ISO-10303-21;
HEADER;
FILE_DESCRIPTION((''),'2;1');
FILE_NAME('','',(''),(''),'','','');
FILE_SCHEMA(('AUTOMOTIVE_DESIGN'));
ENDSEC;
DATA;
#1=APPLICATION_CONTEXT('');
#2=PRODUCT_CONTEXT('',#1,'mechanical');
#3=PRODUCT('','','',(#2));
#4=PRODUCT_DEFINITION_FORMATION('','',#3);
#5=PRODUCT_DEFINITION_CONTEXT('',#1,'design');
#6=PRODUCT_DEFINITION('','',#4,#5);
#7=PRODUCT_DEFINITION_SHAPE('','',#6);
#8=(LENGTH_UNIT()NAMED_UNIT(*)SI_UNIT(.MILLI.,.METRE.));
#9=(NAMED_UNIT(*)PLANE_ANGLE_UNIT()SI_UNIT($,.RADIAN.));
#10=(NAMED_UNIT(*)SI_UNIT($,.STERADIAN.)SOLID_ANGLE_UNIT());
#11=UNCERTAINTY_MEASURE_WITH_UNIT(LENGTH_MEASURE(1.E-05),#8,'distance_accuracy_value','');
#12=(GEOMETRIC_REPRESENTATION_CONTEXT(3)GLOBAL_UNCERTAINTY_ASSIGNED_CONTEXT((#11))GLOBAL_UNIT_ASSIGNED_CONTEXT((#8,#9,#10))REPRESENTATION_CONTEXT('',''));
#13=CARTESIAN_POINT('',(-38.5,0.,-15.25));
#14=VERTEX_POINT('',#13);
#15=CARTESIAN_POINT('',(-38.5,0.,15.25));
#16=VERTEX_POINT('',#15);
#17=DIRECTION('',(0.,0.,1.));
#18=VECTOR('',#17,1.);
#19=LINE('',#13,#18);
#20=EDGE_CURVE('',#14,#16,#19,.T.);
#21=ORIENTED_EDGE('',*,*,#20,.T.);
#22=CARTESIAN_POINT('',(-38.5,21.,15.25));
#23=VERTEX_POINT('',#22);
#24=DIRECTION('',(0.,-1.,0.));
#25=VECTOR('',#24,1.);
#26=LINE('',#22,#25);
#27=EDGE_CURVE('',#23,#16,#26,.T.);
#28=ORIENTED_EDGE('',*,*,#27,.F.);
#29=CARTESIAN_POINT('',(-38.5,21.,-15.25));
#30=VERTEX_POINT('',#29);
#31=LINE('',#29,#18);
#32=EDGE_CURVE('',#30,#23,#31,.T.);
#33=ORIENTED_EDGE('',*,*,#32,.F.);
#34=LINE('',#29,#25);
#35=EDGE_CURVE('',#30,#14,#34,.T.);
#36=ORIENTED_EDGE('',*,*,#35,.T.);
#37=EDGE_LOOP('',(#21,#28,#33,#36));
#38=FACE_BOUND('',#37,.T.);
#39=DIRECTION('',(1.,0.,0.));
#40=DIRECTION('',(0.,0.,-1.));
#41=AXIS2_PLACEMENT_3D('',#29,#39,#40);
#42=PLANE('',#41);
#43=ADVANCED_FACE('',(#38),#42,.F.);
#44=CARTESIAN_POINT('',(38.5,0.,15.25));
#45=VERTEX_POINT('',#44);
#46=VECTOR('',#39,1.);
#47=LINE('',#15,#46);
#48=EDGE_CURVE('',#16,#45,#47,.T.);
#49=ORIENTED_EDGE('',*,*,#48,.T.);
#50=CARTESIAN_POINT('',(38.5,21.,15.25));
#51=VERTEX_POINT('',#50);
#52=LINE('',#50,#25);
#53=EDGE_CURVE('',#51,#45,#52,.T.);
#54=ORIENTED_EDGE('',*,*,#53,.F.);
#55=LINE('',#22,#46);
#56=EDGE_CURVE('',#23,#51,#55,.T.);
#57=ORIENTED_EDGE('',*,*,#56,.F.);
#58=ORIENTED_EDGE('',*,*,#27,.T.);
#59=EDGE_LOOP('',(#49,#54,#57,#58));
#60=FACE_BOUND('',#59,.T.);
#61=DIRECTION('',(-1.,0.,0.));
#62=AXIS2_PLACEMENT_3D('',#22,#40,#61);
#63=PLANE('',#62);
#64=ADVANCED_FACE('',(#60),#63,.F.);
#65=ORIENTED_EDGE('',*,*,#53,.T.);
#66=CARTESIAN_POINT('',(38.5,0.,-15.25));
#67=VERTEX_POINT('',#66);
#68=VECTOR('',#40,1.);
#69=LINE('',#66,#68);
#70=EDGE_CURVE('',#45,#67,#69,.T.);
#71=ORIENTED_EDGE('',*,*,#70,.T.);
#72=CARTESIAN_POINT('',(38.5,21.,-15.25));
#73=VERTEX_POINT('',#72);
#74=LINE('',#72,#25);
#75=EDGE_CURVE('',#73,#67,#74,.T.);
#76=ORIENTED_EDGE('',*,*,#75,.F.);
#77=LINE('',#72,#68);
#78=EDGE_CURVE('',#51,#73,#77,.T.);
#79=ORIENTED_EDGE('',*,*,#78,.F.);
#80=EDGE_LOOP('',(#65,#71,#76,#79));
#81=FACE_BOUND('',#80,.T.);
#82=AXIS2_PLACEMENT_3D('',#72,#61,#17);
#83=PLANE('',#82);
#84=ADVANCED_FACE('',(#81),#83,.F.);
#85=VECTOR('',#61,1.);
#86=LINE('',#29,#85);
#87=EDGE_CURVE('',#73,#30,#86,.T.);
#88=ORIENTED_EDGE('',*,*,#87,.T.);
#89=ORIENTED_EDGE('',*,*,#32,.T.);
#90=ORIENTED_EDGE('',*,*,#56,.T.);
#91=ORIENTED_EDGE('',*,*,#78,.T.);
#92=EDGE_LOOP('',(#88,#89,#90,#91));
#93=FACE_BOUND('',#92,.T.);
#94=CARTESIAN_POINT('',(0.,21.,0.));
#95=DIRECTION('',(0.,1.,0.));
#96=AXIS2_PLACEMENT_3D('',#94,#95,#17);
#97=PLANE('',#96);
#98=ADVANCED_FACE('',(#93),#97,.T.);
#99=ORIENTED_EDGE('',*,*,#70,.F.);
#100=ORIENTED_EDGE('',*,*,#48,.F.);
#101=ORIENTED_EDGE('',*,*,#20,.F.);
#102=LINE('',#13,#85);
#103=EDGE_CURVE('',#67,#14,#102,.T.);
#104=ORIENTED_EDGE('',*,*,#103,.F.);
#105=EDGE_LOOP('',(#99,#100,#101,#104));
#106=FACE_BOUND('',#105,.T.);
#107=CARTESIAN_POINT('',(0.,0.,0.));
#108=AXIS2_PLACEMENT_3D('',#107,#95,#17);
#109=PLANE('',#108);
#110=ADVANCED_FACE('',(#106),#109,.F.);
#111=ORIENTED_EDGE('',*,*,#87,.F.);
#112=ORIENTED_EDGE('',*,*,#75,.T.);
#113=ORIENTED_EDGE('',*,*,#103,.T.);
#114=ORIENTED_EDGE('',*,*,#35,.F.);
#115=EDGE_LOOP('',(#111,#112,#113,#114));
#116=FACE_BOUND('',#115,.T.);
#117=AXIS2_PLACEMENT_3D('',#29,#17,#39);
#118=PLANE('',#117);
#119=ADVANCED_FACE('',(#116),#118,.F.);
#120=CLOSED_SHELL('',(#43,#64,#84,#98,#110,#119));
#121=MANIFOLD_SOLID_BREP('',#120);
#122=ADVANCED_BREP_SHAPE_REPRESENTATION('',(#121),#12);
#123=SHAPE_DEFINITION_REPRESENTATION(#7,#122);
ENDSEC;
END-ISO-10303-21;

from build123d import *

# Parameters (mm, degrees)
SKETCH_1_W      = 77
SKETCH_1_H      = 30.5
EXTRUDE_1_DEPTH = 21


with BuildPart() as part:
    # 草图1 → 凸台-拉伸1 (new body)
    with BuildSketch(Plane(origin=(0, 0, 0), x_dir=(1, 0, 0), z_dir=(0, 1, 0))):
        Rectangle(SKETCH_1_W, SKETCH_1_H)
    extrude(amount=EXTRUDE_1_DEPTH)


solid = part.part
